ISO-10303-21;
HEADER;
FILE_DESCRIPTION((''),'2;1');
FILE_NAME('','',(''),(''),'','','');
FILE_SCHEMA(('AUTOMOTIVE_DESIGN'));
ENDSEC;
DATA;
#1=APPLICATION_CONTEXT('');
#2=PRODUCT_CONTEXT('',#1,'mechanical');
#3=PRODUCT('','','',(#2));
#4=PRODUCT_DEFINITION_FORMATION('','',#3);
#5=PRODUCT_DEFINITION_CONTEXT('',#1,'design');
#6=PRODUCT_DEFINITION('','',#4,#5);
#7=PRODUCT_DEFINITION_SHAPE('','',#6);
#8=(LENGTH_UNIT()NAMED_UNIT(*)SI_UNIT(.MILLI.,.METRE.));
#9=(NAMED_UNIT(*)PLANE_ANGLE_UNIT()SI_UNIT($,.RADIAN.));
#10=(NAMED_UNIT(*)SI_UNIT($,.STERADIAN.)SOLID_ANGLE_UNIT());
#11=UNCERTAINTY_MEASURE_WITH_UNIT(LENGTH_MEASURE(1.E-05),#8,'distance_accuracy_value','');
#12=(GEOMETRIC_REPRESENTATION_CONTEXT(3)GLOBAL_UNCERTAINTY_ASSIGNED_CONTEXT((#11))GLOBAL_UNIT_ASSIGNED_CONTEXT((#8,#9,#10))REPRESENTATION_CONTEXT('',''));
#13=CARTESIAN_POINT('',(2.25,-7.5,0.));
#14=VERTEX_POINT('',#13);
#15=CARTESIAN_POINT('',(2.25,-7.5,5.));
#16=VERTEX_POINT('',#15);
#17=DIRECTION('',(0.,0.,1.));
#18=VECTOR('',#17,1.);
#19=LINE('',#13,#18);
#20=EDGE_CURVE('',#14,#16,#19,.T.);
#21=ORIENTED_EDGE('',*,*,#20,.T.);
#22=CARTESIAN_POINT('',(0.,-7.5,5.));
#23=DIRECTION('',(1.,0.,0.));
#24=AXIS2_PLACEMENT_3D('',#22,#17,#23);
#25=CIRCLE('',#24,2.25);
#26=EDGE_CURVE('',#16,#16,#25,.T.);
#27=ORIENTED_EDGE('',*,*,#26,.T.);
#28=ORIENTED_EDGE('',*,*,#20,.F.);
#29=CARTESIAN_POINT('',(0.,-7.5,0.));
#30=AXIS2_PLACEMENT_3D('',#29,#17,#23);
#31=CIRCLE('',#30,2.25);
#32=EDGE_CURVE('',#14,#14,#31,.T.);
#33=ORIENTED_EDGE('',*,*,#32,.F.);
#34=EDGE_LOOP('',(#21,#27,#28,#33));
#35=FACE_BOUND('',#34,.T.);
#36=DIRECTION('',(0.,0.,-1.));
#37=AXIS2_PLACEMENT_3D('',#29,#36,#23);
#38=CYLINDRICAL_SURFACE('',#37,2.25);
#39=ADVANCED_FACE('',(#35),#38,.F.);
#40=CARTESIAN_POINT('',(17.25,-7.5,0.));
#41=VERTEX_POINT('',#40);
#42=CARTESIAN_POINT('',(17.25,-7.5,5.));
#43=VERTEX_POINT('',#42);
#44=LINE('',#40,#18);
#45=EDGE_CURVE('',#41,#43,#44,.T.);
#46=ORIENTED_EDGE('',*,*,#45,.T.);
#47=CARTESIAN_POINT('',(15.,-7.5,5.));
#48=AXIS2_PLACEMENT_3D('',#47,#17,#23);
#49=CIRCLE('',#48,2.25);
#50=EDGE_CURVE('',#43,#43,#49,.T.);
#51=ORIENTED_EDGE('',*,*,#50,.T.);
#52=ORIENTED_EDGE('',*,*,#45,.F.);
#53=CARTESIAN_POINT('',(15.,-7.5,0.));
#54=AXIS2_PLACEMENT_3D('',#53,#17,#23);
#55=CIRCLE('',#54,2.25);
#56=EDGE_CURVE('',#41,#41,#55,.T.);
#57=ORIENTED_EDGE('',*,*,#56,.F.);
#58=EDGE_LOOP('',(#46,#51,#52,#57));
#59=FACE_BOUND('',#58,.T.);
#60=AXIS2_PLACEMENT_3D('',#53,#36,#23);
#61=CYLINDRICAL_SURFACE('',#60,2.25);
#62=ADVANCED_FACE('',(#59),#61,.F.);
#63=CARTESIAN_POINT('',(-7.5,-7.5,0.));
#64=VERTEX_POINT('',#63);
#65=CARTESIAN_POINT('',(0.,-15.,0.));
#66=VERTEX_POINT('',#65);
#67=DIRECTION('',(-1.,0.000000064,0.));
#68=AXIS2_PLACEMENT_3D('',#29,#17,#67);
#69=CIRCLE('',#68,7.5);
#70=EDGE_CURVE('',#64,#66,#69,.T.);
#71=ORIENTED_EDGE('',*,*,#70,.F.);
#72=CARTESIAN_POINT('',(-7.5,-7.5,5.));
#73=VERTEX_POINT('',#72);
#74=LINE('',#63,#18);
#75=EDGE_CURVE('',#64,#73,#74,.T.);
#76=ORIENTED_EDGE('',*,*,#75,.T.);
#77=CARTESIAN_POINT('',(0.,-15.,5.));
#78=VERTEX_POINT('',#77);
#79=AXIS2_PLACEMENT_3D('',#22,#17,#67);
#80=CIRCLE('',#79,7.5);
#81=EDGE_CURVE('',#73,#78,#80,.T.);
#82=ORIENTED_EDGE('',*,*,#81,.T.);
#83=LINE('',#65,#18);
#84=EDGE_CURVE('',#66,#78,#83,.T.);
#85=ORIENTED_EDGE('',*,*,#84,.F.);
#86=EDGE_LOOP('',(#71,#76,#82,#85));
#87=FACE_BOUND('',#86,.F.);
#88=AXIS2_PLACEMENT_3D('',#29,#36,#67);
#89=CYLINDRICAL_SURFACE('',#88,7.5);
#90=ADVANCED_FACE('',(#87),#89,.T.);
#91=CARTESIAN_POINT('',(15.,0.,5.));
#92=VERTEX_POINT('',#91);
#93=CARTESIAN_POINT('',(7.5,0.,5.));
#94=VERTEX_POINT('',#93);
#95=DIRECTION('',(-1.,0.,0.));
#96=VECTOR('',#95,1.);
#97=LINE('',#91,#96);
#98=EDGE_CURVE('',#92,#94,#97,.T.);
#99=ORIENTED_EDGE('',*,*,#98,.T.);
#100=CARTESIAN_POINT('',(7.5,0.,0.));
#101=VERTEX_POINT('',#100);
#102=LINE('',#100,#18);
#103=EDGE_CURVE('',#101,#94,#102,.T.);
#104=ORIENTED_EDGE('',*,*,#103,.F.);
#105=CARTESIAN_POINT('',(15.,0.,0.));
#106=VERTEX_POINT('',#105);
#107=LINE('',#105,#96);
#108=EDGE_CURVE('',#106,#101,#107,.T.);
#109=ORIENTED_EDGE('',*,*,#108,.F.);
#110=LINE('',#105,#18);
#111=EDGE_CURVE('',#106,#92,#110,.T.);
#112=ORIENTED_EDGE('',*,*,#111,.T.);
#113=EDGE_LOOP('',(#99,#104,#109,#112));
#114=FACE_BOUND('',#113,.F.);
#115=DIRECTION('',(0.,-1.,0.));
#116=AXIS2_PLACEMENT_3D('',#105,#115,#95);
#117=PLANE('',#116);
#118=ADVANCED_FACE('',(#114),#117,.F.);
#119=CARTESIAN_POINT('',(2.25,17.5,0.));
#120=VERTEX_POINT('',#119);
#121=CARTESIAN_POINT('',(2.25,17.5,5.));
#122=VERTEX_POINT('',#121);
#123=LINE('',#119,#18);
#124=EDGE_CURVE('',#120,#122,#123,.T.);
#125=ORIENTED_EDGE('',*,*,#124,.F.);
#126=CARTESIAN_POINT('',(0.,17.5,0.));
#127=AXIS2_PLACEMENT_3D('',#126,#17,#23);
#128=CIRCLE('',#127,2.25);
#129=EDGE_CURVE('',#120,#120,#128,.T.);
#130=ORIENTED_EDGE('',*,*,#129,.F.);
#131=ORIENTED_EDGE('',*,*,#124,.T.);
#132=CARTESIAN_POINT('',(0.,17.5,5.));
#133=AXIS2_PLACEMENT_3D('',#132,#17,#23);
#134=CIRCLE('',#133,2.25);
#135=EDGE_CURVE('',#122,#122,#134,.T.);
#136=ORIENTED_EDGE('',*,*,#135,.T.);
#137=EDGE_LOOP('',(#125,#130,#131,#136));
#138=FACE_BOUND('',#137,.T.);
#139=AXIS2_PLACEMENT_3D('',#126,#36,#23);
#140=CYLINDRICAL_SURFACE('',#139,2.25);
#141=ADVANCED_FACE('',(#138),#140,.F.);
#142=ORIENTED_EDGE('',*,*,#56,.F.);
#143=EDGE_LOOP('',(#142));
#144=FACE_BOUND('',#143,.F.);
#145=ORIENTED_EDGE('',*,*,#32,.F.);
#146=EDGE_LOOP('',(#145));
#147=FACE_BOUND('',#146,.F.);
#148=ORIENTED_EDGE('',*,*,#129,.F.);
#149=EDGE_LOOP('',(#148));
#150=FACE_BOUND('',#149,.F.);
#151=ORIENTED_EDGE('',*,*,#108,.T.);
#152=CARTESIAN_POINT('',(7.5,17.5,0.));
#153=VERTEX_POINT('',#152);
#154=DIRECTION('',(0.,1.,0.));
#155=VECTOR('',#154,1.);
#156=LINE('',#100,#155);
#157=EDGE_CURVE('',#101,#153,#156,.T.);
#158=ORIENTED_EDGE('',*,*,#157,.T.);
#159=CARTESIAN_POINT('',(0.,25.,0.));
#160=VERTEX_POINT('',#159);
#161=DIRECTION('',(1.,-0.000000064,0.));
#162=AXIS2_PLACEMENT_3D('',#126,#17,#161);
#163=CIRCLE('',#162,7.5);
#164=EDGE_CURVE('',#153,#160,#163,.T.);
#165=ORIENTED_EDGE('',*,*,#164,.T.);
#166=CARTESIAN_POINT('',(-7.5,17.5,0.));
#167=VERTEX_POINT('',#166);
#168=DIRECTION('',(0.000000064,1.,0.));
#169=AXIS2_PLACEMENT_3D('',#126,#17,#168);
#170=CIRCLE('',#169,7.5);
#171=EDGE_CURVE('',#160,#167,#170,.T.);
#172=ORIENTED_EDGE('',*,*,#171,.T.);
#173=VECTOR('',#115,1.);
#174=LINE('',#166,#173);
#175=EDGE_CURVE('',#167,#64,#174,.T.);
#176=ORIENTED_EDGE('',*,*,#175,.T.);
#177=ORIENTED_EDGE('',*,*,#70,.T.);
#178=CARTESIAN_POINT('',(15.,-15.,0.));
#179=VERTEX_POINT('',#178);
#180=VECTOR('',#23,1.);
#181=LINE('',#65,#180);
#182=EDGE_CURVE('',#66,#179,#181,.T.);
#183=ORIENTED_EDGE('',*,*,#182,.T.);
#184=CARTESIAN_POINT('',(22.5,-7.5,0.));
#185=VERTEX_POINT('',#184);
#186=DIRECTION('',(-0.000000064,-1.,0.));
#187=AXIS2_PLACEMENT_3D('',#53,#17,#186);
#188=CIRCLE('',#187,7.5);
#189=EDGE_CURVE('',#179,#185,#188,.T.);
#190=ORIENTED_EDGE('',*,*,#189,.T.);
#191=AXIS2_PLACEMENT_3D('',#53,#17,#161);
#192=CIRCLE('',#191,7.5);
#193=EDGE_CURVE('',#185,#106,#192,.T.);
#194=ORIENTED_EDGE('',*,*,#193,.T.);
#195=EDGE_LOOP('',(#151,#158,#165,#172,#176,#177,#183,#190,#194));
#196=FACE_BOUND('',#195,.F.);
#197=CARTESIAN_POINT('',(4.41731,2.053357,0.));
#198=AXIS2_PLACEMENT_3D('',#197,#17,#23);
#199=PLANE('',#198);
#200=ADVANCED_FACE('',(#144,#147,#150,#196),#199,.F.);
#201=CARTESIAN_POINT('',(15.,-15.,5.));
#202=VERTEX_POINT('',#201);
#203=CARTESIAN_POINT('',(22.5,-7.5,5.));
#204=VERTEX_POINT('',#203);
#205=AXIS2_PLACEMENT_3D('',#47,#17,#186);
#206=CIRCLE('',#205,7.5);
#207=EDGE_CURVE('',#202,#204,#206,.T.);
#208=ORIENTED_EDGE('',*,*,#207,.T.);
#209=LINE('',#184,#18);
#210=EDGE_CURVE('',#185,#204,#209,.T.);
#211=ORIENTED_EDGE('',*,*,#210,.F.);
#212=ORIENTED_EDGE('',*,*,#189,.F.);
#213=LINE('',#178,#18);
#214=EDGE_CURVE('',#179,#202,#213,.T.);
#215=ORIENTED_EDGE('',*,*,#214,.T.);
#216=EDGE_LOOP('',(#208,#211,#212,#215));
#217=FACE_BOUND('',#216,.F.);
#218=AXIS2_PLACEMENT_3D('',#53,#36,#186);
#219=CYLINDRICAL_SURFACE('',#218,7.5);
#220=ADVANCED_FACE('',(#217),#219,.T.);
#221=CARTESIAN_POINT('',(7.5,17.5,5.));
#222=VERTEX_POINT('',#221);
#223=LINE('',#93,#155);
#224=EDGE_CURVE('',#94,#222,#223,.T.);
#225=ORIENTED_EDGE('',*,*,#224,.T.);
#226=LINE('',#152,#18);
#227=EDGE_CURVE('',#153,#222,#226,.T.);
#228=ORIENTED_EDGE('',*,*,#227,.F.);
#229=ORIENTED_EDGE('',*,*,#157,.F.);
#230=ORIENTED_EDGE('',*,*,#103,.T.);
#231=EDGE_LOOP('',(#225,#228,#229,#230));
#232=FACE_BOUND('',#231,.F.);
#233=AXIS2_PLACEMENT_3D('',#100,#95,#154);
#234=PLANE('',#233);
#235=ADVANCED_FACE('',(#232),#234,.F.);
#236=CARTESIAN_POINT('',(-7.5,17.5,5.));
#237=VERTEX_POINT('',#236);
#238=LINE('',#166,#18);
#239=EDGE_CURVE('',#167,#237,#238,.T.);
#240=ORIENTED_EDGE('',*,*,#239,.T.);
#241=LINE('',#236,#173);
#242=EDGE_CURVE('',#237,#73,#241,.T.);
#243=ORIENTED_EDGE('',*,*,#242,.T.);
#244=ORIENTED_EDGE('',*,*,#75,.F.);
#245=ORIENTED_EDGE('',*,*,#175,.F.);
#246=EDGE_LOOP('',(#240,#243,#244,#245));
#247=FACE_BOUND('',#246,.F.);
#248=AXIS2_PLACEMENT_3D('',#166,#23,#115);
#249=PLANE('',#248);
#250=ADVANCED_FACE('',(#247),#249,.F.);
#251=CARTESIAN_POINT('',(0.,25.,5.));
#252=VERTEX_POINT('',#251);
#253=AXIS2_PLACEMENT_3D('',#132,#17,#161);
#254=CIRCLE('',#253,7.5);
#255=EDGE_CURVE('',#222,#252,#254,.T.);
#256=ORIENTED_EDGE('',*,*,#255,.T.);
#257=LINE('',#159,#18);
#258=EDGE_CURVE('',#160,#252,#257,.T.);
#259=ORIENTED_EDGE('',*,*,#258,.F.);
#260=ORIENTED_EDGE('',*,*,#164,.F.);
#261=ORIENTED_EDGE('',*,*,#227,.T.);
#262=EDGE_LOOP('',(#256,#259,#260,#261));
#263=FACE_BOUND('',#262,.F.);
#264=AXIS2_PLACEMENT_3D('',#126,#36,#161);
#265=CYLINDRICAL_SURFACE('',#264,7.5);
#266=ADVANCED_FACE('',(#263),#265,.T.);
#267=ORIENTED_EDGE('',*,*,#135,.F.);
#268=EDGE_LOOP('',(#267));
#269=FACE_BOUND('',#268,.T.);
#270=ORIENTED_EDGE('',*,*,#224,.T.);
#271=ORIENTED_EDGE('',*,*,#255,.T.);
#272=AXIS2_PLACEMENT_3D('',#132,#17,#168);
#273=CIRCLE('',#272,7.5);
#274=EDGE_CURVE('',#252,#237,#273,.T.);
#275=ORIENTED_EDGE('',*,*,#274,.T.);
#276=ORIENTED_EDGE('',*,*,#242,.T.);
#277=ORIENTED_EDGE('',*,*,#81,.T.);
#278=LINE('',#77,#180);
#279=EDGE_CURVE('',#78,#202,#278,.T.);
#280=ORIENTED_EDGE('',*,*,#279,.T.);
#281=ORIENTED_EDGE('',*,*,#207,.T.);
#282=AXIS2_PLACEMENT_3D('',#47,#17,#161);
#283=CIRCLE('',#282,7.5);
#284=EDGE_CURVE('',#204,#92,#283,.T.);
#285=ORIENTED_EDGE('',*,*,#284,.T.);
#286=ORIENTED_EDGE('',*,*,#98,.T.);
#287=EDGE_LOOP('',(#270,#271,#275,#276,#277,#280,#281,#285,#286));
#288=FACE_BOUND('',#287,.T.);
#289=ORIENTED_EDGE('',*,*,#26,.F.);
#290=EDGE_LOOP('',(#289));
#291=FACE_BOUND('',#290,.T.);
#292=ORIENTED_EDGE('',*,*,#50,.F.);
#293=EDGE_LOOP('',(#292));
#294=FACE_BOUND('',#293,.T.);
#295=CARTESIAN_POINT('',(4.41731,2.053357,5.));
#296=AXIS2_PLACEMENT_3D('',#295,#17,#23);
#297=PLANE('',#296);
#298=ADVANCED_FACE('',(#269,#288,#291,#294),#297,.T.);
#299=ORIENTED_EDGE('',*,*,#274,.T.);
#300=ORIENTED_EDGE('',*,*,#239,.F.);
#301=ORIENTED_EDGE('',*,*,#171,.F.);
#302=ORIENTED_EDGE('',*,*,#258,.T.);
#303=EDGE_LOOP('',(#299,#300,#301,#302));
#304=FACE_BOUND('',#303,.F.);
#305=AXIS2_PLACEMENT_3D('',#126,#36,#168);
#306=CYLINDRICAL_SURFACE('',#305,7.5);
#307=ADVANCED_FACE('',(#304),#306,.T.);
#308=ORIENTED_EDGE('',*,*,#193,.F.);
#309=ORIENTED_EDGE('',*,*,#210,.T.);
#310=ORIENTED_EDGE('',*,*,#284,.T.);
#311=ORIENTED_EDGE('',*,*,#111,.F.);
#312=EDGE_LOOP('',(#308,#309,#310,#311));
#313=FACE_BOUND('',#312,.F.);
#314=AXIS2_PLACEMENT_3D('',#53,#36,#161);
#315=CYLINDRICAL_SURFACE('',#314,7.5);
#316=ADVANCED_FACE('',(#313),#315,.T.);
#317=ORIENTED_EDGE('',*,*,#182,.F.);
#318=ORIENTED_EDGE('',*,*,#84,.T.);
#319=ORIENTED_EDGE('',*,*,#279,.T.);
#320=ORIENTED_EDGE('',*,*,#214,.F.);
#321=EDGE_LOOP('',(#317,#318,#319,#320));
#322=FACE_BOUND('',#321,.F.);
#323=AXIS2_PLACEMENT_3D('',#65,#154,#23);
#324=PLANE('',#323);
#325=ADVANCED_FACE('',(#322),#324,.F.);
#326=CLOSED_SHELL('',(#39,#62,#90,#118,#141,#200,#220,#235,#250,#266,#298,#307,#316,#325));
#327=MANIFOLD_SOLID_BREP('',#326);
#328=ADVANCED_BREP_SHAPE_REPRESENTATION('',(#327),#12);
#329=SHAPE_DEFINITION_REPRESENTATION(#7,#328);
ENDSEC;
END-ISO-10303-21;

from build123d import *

# Parameters (mm, degrees)
F0_R     = 2.25
F1_DEPTH = 5


with BuildPart() as f1:
    # F0 (on Top) → F1 (new body)
    with BuildSketch(Plane.XY):
        with BuildLine():
            ThreePointArc((0, 25), (-5.303301, 22.803301), (-7.5, 17.5))
            Line((-7.5, 17.5), (-7.5, -7.5))
            ThreePointArc((-7.5, -7.5), (-5.303301, -12.803301), (0, -15))
            Line((0, -15), (15, -15))
            ThreePointArc((15, -15), (20.303301, -12.803301), (22.5, -7.5))
            ThreePointArc((22.5, -7.5), (20.303301, -2.196699), (15, 0))
            Line((15, 0), (7.5, 0))
            Line((7.5, 0), (7.5, 17.5))
            ThreePointArc((7.5, 17.5), (5.303301, 22.803301), (0, 25))
        make_face()
        with Locations((0, -7.5)):
            Circle(F0_R, mode=Mode.SUBTRACT)
        with Locations((15, -7.5)):
            Circle(F0_R, mode=Mode.SUBTRACT)
        with Locations((0, 17.5)):
            Circle(F0_R, mode=Mode.SUBTRACT)
    extrude(amount=F1_DEPTH)


solid = f1.part
